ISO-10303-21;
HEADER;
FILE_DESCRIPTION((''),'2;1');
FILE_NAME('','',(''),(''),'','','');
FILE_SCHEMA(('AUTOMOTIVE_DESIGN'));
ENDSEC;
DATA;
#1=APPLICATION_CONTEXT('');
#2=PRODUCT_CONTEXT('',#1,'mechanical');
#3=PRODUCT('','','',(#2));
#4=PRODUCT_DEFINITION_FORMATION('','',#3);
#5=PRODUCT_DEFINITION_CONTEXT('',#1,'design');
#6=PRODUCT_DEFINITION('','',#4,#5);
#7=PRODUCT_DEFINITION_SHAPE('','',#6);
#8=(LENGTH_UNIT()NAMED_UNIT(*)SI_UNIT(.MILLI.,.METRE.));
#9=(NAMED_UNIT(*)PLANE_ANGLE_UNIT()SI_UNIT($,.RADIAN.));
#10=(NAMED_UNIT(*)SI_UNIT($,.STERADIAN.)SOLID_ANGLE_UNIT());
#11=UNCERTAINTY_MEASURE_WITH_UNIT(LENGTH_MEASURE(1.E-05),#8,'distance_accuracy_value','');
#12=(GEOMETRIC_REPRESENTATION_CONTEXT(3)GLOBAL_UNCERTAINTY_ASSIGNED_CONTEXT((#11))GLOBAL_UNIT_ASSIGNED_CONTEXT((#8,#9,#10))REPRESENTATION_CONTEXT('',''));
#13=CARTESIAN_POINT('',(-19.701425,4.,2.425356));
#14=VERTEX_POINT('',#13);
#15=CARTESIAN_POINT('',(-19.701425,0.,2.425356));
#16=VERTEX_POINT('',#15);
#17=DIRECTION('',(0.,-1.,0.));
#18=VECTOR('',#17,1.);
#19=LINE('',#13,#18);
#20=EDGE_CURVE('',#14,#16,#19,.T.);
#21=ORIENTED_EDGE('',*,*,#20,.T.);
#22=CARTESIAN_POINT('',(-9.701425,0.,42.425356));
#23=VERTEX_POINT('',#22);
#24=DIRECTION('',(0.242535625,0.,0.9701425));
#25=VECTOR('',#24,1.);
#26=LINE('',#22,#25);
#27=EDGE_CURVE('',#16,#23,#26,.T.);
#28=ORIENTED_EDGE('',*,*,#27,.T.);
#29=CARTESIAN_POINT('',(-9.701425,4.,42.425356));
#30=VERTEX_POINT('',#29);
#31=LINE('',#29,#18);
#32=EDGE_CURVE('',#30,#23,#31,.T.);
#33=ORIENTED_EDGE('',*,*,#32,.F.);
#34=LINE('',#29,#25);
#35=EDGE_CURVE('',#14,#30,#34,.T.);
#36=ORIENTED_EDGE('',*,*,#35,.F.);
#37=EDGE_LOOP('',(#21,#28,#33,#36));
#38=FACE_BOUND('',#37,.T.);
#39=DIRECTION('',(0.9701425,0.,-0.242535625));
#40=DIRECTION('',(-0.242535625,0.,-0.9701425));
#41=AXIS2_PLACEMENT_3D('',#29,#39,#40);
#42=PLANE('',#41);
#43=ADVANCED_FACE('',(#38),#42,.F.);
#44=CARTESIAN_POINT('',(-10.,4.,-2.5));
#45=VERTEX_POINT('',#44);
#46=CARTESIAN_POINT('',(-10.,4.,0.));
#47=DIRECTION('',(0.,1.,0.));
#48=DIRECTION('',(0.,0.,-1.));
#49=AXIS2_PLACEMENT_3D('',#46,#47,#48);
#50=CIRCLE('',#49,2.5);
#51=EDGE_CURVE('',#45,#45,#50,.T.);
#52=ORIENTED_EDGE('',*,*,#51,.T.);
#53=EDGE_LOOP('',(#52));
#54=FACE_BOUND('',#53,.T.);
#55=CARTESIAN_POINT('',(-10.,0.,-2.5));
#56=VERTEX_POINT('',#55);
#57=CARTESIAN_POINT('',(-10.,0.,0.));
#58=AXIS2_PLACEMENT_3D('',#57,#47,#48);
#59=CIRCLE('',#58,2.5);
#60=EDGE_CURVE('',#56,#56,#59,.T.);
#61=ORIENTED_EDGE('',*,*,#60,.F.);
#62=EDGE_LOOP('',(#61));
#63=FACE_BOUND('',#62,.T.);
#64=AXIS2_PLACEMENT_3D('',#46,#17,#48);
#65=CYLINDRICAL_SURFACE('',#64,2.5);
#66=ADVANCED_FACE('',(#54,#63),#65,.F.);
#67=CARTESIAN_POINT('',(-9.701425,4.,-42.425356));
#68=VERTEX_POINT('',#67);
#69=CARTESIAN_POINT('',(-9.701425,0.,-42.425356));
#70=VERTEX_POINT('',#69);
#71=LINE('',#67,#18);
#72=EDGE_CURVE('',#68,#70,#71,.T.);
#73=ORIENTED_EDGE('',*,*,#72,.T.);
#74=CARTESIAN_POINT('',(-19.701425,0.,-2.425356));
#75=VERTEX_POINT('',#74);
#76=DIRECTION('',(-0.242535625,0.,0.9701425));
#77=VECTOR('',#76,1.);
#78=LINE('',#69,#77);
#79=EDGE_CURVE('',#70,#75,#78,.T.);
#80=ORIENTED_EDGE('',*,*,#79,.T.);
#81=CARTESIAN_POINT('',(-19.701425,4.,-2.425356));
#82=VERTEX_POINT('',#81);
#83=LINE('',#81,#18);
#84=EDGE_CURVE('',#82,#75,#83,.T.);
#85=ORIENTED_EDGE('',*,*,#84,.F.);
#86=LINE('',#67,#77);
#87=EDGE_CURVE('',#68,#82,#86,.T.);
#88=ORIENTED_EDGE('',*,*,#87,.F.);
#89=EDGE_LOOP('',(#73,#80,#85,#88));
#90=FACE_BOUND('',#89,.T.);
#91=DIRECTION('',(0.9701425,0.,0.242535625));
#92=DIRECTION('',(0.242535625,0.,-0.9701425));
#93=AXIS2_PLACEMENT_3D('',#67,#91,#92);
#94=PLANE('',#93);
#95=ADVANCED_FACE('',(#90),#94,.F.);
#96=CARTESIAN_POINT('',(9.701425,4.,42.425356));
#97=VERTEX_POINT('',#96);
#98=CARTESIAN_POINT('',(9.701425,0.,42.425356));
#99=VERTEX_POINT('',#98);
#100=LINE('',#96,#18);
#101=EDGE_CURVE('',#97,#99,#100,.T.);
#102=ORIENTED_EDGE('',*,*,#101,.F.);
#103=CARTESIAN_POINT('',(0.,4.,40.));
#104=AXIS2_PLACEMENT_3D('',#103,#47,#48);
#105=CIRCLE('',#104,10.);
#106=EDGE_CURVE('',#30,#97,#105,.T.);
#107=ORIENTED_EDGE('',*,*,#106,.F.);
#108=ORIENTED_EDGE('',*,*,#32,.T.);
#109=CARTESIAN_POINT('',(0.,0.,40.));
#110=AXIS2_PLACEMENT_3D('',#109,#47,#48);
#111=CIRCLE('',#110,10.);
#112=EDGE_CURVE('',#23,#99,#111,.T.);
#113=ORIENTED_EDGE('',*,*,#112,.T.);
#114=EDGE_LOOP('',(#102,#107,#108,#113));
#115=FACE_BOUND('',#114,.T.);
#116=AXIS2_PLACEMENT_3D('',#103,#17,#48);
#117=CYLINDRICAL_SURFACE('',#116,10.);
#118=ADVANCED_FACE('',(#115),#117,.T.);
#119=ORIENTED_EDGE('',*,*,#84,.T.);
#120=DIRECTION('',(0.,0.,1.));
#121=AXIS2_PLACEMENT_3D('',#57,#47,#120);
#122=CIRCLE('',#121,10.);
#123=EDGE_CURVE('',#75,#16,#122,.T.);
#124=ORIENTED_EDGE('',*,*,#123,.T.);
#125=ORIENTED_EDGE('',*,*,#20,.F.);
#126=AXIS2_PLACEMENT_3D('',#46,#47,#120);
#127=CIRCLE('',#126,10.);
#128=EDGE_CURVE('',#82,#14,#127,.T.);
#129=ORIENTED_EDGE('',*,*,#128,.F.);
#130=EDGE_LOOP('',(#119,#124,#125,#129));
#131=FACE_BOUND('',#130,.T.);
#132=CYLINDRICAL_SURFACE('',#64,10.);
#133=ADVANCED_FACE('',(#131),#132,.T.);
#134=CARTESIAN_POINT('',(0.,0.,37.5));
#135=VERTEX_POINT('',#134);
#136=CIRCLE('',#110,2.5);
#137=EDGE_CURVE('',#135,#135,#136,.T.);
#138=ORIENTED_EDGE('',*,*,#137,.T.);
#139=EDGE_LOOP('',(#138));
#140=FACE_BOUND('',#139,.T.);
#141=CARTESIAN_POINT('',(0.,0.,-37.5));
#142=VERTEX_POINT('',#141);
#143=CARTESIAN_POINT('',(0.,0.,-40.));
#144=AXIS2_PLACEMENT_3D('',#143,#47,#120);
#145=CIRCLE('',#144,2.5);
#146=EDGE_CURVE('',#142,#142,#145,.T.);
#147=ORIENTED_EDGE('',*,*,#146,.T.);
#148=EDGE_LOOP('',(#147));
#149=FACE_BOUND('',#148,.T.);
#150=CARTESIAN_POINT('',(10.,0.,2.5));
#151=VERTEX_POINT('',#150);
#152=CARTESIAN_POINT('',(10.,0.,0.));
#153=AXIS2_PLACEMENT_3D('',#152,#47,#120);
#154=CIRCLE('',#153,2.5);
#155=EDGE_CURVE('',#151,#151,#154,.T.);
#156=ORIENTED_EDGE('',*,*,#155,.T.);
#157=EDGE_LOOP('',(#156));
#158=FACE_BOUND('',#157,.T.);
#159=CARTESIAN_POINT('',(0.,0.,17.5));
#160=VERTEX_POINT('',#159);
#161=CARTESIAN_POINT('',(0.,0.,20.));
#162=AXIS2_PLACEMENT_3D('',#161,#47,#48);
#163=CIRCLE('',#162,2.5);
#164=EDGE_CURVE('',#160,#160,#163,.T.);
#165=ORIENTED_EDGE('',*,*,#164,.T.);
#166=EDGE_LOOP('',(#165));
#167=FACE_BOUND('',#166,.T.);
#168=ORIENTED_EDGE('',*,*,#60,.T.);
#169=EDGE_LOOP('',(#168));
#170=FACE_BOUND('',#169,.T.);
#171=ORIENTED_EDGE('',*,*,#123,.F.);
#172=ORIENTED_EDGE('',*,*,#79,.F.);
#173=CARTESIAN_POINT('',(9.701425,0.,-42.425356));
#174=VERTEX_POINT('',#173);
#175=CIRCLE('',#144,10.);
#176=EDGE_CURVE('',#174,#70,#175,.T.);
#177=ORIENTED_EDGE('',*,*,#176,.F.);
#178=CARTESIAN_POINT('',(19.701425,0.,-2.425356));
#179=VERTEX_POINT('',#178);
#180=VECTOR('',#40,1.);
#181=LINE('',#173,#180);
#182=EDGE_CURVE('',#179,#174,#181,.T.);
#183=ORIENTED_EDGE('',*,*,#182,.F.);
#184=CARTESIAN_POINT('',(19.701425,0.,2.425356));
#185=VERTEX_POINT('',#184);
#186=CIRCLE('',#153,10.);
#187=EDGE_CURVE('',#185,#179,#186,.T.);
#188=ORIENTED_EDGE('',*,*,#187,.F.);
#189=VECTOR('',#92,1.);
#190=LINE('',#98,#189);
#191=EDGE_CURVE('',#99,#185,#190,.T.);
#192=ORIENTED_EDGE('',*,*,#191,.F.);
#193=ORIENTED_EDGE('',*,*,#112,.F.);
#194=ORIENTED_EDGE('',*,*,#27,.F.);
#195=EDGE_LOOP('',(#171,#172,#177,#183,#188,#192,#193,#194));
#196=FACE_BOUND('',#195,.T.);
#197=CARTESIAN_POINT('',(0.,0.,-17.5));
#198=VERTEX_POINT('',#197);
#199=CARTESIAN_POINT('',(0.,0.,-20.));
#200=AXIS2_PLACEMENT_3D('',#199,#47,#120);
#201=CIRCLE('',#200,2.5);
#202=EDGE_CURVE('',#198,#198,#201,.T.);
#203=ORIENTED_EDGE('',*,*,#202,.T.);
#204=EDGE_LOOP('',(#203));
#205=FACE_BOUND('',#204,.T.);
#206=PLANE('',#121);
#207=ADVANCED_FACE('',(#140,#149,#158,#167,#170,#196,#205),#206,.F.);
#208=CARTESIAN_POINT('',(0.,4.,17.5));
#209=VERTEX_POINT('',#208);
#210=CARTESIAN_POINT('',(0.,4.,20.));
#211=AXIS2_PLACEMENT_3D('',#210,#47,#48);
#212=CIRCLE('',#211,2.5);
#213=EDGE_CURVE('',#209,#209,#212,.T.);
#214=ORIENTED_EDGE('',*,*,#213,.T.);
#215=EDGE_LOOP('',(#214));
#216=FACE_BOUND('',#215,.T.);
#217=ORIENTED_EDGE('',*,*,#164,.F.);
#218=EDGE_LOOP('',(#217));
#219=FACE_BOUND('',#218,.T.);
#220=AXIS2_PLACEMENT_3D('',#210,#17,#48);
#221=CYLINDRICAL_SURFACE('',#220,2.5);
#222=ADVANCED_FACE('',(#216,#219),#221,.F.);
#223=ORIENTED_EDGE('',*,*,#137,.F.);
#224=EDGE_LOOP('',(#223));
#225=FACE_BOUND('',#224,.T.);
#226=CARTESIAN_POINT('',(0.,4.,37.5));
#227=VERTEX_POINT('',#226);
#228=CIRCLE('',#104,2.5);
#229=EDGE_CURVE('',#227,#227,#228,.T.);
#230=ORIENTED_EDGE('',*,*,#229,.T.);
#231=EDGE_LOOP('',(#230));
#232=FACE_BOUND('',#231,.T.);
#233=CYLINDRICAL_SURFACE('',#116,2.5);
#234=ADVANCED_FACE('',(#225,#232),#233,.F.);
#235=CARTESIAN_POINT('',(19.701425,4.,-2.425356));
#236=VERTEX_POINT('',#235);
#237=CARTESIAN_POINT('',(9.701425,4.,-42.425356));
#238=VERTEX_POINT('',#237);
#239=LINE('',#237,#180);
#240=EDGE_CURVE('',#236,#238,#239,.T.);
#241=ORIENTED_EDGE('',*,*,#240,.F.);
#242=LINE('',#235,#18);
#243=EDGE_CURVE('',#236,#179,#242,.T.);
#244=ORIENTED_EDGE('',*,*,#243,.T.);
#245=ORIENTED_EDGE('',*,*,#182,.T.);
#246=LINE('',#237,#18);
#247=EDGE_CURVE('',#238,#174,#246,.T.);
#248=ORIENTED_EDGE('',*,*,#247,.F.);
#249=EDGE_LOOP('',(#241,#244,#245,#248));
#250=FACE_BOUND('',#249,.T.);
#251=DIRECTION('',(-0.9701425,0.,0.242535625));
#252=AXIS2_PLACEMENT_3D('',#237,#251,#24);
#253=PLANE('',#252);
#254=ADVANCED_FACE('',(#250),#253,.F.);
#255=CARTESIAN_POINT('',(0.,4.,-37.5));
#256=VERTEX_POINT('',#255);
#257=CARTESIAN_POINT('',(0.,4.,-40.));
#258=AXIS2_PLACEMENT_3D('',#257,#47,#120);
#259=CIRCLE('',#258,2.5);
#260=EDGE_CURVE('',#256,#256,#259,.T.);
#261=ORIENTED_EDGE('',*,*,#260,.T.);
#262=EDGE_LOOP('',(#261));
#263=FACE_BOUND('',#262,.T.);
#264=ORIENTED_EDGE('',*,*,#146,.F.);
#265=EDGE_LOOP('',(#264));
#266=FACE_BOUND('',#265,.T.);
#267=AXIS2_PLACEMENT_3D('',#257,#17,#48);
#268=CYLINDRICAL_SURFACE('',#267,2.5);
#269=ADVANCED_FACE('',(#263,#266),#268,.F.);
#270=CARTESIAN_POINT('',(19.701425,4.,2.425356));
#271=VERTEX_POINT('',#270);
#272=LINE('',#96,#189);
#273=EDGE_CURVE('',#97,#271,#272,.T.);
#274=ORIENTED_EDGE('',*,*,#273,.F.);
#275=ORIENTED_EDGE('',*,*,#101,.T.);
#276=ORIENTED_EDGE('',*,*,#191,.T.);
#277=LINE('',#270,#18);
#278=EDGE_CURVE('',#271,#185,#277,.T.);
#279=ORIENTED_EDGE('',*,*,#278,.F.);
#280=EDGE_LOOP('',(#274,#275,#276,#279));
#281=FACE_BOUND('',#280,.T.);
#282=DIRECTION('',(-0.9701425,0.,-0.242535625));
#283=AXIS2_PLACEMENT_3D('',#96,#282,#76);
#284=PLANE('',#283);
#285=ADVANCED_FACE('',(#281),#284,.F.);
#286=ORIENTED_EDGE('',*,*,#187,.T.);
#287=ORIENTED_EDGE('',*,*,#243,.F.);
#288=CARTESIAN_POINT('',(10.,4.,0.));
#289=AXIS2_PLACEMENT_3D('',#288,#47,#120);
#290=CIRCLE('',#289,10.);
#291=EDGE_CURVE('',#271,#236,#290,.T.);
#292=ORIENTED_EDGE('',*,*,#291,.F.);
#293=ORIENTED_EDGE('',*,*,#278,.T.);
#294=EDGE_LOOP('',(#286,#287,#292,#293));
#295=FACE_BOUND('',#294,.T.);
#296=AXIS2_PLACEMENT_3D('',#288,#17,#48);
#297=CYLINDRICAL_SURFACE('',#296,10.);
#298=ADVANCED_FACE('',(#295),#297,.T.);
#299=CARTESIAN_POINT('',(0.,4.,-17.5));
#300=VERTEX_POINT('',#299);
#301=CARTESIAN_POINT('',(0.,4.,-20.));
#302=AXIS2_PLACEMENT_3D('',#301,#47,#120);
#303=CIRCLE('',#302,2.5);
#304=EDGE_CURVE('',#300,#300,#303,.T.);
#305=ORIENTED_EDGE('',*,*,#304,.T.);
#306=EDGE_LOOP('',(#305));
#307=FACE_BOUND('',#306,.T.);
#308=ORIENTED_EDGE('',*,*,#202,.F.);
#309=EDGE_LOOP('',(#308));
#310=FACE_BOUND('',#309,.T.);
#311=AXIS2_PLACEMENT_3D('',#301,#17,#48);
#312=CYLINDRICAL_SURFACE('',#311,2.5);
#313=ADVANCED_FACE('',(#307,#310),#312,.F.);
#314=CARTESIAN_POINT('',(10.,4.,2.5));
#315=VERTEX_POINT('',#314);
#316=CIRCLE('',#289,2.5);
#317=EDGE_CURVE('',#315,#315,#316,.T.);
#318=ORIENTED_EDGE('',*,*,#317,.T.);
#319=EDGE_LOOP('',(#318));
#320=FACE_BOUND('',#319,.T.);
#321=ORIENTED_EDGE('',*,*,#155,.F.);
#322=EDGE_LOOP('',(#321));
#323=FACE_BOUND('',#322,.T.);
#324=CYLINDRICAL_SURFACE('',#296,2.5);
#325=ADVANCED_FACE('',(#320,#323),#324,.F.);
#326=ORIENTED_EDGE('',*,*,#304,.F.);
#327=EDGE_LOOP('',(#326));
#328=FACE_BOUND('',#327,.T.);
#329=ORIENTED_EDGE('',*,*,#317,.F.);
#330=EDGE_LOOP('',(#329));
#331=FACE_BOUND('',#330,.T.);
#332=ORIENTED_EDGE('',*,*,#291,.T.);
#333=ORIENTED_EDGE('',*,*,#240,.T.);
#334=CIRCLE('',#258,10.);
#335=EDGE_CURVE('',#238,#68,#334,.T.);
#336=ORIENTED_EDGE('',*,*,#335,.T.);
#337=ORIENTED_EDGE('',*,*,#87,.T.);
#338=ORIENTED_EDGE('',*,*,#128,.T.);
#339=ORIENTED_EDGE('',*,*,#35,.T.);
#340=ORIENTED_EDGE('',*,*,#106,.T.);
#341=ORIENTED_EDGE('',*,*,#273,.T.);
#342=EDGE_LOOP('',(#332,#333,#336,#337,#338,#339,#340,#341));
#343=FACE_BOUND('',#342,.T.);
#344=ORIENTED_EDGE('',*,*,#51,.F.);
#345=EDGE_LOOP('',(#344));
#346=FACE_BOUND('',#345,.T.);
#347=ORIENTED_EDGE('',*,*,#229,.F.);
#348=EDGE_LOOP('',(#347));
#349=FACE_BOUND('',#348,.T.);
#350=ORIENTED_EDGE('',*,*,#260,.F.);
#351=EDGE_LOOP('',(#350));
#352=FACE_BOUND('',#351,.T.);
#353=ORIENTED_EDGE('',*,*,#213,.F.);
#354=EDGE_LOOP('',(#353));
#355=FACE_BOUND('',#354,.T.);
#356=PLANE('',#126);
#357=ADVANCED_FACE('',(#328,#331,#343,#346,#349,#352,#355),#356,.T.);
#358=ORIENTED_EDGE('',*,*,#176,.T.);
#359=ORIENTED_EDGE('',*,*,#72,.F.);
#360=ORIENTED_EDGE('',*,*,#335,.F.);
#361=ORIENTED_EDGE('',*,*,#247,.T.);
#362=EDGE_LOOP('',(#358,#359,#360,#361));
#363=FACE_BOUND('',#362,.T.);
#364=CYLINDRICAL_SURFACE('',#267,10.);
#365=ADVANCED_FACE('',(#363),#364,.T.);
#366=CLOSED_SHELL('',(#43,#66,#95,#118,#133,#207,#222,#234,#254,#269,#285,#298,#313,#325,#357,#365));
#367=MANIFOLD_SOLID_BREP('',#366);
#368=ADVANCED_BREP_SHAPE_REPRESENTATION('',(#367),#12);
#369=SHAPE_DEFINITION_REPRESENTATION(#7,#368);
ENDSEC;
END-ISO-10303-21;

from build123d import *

# Parameters (mm, degrees)
SKETCH1_R           = 2.5
BOSS_EXTRUDE1_DEPTH = 4


with BuildPart() as part:
    # Sketch1 → Boss-Extrude1 (new body)
    with BuildSketch(Plane(origin=(0, 0, 0), x_dir=(1, 0, 0), z_dir=(0, 1, 0))):
        with BuildLine():
            Line((-9.701425001, 42.42535625), (-19.701425001, 2.42535625))
            ThreePointArc((-19.701425001, 2.42535625), (-20, 0), (-19.701425001, -2.42535625))
            Line((-19.701425001, -2.42535625), (-9.701425001, -42.42535625))
            ThreePointArc((-9.701425001, -42.42535625), (0, -50), (9.701425001, -42.42535625))
            Line((9.701425001, -42.42535625), (19.701425001, -2.42535625))
            ThreePointArc((19.701425001, -2.42535625), (20, 0), (19.701425001, 2.42535625))
            Line((19.701425001, 2.42535625), (9.701425001, 42.42535625))
            ThreePointArc((9.701425001, 42.42535625), (0, 50), (-9.701425001, 42.42535625))
        make_face()
        with Locations(Location((10, 0, 0), (0, 0, 270))):
            Circle(SKETCH1_R, mode=Mode.SUBTRACT)
        with Locations(Location((-10, 0, 0), (0, 0, 90))):
            Circle(SKETCH1_R, mode=Mode.SUBTRACT)
        with Locations(Location((0, 20, 0), (0, 0, 270))):
            Circle(SKETCH1_R, mode=Mode.SUBTRACT)
        with Locations(Location((0, 40, 0), (0, 0, 270))):
            Circle(SKETCH1_R, mode=Mode.SUBTRACT)
        with Locations(Location((0, -20, 0), (0, 0, 90))):
            Circle(SKETCH1_R, mode=Mode.SUBTRACT)
        with Locations(Location((0, -40, 0), (0, 0, 90))):
            Circle(SKETCH1_R, mode=Mode.SUBTRACT)
    extrude(amount=BOSS_EXTRUDE1_DEPTH)


solid = part.part
